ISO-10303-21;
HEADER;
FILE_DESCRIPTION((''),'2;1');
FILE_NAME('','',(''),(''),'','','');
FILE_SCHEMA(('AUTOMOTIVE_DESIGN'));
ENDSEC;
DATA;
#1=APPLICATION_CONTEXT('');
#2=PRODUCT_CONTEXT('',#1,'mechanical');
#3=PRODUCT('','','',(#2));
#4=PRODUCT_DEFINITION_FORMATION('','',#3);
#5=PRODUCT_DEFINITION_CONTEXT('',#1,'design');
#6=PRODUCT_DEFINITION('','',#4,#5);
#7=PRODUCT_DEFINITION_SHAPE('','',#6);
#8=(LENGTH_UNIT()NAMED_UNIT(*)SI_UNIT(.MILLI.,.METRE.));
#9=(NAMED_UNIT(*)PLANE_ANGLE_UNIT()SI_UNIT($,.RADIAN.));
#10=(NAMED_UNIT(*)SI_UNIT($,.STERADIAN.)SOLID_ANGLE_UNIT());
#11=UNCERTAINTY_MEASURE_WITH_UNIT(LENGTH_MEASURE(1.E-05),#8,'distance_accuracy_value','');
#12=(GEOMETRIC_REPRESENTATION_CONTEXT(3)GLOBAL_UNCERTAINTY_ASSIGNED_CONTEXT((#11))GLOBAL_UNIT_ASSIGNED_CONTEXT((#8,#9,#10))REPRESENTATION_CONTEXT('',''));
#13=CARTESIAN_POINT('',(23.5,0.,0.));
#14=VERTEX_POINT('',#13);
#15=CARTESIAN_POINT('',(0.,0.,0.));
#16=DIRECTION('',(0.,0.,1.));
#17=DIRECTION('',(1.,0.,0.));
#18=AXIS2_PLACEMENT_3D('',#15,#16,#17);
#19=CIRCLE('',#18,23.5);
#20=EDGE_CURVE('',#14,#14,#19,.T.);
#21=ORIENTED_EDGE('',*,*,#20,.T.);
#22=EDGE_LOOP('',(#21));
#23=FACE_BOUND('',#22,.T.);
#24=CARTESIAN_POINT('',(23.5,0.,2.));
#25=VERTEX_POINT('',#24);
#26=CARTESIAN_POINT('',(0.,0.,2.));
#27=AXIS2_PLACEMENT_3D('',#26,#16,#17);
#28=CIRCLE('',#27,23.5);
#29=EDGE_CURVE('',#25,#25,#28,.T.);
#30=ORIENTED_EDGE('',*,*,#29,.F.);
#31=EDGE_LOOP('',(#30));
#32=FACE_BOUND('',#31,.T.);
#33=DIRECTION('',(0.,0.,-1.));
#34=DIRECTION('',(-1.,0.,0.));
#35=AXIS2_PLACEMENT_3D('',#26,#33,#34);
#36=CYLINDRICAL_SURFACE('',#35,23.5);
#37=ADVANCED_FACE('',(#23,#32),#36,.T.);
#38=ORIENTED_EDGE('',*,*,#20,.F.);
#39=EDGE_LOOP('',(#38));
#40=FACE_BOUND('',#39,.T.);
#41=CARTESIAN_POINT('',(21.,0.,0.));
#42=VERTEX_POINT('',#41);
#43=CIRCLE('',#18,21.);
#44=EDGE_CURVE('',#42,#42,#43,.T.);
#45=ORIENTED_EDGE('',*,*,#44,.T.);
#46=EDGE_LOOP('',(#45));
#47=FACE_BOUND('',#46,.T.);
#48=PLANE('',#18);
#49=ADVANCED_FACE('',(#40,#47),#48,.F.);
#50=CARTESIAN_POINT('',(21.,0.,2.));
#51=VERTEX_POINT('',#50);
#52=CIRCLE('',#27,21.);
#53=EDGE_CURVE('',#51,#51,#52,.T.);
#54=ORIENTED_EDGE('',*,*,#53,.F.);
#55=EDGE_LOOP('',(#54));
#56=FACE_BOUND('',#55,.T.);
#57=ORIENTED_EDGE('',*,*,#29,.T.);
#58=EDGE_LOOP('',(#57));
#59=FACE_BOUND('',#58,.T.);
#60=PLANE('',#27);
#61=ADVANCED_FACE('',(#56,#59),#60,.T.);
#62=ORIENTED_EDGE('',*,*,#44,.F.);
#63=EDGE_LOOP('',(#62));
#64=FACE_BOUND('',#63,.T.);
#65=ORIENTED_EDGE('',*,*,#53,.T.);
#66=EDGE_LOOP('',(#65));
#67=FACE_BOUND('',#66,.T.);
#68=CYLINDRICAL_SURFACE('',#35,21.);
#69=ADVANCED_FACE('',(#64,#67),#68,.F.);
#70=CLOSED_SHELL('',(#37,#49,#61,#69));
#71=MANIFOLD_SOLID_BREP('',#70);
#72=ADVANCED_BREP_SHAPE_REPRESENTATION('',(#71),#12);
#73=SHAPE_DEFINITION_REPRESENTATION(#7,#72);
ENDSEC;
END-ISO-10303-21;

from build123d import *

# Parameters (mm, degrees)
SKETCH_1_R      = 23.5
SKETCH_1_R_2    = 21
EXTRUDE_1_DEPTH = 2


with BuildPart() as part:
    # 草图1 → 凸台-拉伸1 (new body)
    with BuildSketch(Plane.XY):
        Circle(SKETCH_1_R)
        Circle(SKETCH_1_R_2, mode=Mode.SUBTRACT)
    extrude(amount=EXTRUDE_1_DEPTH)


solid = part.part
